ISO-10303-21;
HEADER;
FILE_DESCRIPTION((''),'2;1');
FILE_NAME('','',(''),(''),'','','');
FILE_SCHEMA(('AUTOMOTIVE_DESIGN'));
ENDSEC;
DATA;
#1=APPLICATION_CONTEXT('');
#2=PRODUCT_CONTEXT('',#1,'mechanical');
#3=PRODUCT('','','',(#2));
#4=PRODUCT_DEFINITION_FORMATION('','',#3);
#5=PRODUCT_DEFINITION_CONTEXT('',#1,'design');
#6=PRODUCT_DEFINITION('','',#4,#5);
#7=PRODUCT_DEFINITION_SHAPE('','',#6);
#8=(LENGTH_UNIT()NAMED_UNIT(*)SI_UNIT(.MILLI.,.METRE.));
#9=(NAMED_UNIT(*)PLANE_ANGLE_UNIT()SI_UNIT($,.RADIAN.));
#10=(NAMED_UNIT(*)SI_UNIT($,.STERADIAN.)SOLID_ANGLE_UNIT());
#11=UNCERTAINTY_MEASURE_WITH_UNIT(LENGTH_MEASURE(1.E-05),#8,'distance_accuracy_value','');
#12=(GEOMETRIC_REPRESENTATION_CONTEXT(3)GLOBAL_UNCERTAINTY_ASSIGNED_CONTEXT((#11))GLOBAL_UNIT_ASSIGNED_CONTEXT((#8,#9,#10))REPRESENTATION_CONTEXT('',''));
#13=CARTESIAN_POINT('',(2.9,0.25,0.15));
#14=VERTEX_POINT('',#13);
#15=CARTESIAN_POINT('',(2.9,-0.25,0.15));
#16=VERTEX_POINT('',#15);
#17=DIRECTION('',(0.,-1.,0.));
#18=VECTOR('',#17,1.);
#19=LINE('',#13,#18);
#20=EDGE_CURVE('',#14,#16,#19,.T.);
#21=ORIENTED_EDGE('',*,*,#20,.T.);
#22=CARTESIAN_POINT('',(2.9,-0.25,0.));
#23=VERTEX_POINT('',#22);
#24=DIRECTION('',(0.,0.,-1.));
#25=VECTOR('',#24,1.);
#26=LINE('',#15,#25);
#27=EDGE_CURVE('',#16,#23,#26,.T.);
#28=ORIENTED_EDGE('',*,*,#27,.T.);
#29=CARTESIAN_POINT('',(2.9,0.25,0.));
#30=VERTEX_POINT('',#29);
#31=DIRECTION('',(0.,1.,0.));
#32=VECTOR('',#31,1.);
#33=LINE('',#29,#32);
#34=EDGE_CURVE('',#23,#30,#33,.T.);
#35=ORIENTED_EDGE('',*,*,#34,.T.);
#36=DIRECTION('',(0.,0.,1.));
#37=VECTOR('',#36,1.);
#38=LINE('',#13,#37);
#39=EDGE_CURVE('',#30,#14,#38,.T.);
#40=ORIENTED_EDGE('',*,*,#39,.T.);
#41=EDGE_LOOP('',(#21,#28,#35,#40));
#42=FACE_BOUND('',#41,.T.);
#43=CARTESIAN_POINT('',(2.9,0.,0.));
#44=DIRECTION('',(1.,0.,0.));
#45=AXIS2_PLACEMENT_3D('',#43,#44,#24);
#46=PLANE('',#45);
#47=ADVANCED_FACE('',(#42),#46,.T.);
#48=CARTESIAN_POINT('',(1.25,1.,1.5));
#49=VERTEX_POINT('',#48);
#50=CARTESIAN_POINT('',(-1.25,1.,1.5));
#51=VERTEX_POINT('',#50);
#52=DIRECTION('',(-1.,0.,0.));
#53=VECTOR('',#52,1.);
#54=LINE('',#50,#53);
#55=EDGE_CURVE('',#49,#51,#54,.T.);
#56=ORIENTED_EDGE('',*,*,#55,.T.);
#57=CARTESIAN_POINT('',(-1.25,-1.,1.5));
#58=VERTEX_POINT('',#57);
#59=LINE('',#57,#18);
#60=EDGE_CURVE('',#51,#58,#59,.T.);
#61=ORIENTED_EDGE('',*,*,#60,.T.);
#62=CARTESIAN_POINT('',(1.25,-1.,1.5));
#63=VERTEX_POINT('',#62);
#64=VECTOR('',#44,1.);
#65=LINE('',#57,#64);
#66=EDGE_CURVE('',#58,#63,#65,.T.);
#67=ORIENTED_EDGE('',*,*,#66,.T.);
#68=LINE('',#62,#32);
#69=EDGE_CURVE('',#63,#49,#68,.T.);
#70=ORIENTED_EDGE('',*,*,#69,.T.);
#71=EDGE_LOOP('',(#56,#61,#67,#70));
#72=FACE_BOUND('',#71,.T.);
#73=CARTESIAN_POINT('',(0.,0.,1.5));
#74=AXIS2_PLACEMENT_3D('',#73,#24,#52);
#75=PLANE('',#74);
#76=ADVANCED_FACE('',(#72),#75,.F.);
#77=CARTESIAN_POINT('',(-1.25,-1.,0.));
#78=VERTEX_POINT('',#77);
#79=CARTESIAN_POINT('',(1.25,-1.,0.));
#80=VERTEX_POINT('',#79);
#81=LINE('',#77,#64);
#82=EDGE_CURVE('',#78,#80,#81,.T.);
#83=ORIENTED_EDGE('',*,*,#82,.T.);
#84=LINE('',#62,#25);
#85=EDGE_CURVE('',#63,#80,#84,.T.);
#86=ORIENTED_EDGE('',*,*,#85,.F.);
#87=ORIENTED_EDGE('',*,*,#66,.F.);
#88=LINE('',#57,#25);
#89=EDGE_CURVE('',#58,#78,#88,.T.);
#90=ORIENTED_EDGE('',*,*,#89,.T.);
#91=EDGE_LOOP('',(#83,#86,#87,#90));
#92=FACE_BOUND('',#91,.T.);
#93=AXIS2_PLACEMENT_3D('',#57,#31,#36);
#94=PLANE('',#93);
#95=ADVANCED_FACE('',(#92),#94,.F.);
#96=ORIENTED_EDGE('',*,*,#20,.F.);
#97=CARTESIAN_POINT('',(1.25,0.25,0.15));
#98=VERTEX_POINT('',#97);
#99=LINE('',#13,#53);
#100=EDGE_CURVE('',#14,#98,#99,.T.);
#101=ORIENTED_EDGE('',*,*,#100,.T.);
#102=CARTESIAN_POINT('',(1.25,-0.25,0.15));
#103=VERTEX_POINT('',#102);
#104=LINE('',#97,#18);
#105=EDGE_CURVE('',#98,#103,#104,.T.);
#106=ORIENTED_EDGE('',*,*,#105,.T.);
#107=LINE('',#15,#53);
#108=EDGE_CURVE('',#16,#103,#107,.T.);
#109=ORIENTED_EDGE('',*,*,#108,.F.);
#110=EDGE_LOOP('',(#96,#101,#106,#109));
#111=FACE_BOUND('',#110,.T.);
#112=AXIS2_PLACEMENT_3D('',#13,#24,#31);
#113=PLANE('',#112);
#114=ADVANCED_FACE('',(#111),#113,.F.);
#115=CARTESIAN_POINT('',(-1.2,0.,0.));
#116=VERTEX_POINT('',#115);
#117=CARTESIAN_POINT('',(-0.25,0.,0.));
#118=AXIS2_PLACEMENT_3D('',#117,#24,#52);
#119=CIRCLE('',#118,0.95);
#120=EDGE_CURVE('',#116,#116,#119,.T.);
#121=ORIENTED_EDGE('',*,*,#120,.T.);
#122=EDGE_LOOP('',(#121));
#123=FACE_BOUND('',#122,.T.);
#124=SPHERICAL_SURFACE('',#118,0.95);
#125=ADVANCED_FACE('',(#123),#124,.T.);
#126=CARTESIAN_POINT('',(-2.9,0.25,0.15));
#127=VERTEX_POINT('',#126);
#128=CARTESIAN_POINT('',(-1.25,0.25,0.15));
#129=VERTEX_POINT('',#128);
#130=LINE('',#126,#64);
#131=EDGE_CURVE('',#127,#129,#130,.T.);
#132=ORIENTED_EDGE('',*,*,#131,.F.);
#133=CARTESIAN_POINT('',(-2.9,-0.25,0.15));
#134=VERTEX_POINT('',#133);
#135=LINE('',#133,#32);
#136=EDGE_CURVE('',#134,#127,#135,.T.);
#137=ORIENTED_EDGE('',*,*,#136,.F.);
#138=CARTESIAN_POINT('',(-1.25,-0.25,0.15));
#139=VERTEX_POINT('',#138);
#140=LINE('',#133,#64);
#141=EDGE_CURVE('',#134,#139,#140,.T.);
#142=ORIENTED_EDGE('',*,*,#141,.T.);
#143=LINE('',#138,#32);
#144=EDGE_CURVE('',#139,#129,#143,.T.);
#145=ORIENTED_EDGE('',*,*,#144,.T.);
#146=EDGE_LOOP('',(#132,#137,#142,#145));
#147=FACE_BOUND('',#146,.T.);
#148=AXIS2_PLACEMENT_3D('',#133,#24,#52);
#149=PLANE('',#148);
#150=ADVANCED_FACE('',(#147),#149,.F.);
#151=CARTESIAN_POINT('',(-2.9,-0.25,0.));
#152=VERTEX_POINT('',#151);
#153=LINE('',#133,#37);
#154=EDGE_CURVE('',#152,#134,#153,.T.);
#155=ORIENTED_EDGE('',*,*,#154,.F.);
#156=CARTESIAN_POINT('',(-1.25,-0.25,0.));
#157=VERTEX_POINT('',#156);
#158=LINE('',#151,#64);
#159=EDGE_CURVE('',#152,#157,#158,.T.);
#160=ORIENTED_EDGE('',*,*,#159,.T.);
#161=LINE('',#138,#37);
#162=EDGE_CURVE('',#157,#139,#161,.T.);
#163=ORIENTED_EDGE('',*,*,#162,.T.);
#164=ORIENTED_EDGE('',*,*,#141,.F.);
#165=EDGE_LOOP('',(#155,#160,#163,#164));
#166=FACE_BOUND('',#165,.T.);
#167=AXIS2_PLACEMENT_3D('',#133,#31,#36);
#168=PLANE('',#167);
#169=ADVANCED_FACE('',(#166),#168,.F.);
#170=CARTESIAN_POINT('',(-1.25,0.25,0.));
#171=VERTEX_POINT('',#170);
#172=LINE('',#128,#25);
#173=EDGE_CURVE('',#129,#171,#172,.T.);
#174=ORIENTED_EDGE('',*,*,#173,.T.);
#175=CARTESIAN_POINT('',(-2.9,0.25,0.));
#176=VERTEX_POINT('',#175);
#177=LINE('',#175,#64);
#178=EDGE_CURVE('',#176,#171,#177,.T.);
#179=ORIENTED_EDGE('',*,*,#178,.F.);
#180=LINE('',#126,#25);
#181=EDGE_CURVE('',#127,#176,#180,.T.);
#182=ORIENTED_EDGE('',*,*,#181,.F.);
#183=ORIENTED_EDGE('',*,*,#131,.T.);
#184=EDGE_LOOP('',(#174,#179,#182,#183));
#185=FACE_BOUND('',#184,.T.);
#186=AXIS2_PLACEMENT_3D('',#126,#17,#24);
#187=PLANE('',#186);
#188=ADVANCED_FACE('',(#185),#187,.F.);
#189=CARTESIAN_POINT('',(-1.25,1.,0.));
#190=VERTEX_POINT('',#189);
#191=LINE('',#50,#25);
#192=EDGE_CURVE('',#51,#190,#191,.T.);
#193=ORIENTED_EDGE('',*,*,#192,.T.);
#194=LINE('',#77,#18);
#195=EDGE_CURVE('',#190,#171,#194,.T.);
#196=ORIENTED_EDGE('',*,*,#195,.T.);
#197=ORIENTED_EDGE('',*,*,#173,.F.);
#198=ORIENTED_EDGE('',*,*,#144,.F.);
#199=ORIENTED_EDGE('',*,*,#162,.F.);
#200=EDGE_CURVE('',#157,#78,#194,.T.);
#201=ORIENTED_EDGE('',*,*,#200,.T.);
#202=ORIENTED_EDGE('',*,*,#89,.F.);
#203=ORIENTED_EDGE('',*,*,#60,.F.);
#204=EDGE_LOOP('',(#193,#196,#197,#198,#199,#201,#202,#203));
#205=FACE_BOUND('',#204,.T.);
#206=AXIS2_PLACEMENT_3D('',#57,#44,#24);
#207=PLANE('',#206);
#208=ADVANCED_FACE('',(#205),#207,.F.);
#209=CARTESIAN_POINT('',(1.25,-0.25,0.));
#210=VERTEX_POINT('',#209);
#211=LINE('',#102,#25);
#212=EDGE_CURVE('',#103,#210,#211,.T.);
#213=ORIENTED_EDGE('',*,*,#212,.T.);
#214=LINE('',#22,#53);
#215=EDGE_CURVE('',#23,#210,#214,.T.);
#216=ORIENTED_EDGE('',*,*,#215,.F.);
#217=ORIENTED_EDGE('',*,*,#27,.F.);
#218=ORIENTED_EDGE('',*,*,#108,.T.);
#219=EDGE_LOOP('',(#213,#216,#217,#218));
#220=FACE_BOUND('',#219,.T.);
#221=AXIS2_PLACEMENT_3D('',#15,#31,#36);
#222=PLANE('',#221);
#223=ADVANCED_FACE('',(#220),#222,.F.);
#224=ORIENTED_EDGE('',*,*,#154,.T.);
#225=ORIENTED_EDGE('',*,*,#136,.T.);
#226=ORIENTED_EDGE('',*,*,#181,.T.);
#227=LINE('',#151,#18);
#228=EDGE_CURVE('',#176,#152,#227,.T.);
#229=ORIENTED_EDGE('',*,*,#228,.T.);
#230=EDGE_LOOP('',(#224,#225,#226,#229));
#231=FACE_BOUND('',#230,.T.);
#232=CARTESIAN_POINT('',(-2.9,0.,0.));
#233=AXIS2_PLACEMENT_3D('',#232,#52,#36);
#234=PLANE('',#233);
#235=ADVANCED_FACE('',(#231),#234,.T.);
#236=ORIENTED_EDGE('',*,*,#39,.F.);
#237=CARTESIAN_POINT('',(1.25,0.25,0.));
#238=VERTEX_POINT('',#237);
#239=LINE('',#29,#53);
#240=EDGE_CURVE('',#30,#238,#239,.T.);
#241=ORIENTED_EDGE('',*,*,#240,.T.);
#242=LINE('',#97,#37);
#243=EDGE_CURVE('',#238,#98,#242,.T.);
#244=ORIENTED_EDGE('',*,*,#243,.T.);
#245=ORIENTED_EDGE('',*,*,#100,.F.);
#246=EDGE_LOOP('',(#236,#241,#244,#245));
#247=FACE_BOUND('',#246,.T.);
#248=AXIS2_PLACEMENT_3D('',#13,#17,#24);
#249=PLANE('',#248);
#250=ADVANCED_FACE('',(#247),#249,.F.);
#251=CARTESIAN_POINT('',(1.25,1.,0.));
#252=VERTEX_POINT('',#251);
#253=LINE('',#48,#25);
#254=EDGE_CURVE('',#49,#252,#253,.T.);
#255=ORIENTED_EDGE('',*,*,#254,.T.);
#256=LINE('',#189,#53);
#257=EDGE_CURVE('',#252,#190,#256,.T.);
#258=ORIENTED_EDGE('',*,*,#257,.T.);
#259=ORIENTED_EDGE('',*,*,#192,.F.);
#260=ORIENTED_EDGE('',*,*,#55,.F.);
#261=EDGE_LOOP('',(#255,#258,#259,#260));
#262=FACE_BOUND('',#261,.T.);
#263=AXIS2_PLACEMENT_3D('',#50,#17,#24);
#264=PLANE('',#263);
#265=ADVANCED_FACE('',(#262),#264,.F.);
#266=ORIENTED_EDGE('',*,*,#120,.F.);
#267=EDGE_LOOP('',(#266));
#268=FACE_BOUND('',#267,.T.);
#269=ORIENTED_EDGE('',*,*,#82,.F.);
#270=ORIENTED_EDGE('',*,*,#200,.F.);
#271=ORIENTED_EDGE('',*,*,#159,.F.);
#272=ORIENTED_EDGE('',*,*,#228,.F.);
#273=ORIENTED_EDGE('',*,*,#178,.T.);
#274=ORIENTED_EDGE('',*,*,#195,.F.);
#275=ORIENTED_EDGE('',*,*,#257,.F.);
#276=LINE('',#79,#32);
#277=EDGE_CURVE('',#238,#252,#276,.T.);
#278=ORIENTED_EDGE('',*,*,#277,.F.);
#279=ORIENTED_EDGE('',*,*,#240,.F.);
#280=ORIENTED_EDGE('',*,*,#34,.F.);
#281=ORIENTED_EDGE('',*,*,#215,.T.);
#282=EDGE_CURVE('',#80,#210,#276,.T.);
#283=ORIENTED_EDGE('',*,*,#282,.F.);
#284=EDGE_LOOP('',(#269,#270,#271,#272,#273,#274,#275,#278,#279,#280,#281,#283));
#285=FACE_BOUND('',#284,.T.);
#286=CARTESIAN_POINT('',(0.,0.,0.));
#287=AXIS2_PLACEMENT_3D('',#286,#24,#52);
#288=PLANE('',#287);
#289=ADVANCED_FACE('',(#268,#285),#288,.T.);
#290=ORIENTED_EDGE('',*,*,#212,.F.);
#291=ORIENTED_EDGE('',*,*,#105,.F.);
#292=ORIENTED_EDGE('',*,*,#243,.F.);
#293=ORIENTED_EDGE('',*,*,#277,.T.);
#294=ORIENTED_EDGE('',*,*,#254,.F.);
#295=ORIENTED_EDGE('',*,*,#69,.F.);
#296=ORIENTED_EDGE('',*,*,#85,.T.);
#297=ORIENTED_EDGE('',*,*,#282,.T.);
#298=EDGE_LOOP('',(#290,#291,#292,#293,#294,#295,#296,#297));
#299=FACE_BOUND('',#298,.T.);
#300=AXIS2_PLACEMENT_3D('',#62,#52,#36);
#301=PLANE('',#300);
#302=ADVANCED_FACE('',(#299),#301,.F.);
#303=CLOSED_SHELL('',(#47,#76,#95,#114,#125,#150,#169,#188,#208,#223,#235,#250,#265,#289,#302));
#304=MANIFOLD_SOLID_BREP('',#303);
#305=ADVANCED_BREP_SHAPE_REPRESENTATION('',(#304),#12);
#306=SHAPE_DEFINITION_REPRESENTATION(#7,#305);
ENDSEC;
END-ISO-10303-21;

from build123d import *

# Parameters (mm, degrees)
SKETCH_1_W      = 2.5
SKETCH_1_H      = 2
EXTRUDE_1_DEPTH = 1.5
SKETCH_2_W      = 0.15
SKETCH_2_H      = 0.5
EXTRUDE_2_DEPTH = 1.65
SKETCH_3_W      = 0.15
SKETCH_3_H      = 0.5
EXTRUDE_3_DEPTH = 1.65


with BuildPart() as part:
    # Эскиз1 → Бобышка-Вытянуть1 (new body)
    with BuildSketch(Plane.XY):
        Rectangle(SKETCH_1_W, SKETCH_1_H)
    extrude(amount=EXTRUDE_1_DEPTH)

    # Эскиз2 → Бобышка-Вытянуть2 (add)
    with BuildSketch(Plane(origin=(1.25, 0, 0), x_dir=(0, 0, -1), z_dir=(1, 0, 0))):
        with Locations((-0.075, 0)):
            Rectangle(SKETCH_2_W, SKETCH_2_H)
    extrude(amount=EXTRUDE_2_DEPTH)

    # Эскиз3 → Бобышка-Вытянуть3 (add)
    with BuildSketch(Plane.ZY.offset(1.25)):
        with Locations((0.075, 0)):
            Rectangle(SKETCH_3_W, SKETCH_3_H)
    extrude(amount=EXTRUDE_3_DEPTH)

    # Эскиз4 → Повернуть1 (revolve)
    with BuildSketch(Plane(origin=(0, 0, 0), x_dir=(-1, 0, 0), z_dir=(0, 0, -1))):
        with BuildLine():
            Line((1.2, 0), (-0.7, 0))
            ThreePointArc((-0.7, 0), (0.25, 0.95), (1.2, 0))
        make_face()
    revolve(axis=Axis((-1.2, 0, 0), (1, 0, 0)))


solid = part.part
